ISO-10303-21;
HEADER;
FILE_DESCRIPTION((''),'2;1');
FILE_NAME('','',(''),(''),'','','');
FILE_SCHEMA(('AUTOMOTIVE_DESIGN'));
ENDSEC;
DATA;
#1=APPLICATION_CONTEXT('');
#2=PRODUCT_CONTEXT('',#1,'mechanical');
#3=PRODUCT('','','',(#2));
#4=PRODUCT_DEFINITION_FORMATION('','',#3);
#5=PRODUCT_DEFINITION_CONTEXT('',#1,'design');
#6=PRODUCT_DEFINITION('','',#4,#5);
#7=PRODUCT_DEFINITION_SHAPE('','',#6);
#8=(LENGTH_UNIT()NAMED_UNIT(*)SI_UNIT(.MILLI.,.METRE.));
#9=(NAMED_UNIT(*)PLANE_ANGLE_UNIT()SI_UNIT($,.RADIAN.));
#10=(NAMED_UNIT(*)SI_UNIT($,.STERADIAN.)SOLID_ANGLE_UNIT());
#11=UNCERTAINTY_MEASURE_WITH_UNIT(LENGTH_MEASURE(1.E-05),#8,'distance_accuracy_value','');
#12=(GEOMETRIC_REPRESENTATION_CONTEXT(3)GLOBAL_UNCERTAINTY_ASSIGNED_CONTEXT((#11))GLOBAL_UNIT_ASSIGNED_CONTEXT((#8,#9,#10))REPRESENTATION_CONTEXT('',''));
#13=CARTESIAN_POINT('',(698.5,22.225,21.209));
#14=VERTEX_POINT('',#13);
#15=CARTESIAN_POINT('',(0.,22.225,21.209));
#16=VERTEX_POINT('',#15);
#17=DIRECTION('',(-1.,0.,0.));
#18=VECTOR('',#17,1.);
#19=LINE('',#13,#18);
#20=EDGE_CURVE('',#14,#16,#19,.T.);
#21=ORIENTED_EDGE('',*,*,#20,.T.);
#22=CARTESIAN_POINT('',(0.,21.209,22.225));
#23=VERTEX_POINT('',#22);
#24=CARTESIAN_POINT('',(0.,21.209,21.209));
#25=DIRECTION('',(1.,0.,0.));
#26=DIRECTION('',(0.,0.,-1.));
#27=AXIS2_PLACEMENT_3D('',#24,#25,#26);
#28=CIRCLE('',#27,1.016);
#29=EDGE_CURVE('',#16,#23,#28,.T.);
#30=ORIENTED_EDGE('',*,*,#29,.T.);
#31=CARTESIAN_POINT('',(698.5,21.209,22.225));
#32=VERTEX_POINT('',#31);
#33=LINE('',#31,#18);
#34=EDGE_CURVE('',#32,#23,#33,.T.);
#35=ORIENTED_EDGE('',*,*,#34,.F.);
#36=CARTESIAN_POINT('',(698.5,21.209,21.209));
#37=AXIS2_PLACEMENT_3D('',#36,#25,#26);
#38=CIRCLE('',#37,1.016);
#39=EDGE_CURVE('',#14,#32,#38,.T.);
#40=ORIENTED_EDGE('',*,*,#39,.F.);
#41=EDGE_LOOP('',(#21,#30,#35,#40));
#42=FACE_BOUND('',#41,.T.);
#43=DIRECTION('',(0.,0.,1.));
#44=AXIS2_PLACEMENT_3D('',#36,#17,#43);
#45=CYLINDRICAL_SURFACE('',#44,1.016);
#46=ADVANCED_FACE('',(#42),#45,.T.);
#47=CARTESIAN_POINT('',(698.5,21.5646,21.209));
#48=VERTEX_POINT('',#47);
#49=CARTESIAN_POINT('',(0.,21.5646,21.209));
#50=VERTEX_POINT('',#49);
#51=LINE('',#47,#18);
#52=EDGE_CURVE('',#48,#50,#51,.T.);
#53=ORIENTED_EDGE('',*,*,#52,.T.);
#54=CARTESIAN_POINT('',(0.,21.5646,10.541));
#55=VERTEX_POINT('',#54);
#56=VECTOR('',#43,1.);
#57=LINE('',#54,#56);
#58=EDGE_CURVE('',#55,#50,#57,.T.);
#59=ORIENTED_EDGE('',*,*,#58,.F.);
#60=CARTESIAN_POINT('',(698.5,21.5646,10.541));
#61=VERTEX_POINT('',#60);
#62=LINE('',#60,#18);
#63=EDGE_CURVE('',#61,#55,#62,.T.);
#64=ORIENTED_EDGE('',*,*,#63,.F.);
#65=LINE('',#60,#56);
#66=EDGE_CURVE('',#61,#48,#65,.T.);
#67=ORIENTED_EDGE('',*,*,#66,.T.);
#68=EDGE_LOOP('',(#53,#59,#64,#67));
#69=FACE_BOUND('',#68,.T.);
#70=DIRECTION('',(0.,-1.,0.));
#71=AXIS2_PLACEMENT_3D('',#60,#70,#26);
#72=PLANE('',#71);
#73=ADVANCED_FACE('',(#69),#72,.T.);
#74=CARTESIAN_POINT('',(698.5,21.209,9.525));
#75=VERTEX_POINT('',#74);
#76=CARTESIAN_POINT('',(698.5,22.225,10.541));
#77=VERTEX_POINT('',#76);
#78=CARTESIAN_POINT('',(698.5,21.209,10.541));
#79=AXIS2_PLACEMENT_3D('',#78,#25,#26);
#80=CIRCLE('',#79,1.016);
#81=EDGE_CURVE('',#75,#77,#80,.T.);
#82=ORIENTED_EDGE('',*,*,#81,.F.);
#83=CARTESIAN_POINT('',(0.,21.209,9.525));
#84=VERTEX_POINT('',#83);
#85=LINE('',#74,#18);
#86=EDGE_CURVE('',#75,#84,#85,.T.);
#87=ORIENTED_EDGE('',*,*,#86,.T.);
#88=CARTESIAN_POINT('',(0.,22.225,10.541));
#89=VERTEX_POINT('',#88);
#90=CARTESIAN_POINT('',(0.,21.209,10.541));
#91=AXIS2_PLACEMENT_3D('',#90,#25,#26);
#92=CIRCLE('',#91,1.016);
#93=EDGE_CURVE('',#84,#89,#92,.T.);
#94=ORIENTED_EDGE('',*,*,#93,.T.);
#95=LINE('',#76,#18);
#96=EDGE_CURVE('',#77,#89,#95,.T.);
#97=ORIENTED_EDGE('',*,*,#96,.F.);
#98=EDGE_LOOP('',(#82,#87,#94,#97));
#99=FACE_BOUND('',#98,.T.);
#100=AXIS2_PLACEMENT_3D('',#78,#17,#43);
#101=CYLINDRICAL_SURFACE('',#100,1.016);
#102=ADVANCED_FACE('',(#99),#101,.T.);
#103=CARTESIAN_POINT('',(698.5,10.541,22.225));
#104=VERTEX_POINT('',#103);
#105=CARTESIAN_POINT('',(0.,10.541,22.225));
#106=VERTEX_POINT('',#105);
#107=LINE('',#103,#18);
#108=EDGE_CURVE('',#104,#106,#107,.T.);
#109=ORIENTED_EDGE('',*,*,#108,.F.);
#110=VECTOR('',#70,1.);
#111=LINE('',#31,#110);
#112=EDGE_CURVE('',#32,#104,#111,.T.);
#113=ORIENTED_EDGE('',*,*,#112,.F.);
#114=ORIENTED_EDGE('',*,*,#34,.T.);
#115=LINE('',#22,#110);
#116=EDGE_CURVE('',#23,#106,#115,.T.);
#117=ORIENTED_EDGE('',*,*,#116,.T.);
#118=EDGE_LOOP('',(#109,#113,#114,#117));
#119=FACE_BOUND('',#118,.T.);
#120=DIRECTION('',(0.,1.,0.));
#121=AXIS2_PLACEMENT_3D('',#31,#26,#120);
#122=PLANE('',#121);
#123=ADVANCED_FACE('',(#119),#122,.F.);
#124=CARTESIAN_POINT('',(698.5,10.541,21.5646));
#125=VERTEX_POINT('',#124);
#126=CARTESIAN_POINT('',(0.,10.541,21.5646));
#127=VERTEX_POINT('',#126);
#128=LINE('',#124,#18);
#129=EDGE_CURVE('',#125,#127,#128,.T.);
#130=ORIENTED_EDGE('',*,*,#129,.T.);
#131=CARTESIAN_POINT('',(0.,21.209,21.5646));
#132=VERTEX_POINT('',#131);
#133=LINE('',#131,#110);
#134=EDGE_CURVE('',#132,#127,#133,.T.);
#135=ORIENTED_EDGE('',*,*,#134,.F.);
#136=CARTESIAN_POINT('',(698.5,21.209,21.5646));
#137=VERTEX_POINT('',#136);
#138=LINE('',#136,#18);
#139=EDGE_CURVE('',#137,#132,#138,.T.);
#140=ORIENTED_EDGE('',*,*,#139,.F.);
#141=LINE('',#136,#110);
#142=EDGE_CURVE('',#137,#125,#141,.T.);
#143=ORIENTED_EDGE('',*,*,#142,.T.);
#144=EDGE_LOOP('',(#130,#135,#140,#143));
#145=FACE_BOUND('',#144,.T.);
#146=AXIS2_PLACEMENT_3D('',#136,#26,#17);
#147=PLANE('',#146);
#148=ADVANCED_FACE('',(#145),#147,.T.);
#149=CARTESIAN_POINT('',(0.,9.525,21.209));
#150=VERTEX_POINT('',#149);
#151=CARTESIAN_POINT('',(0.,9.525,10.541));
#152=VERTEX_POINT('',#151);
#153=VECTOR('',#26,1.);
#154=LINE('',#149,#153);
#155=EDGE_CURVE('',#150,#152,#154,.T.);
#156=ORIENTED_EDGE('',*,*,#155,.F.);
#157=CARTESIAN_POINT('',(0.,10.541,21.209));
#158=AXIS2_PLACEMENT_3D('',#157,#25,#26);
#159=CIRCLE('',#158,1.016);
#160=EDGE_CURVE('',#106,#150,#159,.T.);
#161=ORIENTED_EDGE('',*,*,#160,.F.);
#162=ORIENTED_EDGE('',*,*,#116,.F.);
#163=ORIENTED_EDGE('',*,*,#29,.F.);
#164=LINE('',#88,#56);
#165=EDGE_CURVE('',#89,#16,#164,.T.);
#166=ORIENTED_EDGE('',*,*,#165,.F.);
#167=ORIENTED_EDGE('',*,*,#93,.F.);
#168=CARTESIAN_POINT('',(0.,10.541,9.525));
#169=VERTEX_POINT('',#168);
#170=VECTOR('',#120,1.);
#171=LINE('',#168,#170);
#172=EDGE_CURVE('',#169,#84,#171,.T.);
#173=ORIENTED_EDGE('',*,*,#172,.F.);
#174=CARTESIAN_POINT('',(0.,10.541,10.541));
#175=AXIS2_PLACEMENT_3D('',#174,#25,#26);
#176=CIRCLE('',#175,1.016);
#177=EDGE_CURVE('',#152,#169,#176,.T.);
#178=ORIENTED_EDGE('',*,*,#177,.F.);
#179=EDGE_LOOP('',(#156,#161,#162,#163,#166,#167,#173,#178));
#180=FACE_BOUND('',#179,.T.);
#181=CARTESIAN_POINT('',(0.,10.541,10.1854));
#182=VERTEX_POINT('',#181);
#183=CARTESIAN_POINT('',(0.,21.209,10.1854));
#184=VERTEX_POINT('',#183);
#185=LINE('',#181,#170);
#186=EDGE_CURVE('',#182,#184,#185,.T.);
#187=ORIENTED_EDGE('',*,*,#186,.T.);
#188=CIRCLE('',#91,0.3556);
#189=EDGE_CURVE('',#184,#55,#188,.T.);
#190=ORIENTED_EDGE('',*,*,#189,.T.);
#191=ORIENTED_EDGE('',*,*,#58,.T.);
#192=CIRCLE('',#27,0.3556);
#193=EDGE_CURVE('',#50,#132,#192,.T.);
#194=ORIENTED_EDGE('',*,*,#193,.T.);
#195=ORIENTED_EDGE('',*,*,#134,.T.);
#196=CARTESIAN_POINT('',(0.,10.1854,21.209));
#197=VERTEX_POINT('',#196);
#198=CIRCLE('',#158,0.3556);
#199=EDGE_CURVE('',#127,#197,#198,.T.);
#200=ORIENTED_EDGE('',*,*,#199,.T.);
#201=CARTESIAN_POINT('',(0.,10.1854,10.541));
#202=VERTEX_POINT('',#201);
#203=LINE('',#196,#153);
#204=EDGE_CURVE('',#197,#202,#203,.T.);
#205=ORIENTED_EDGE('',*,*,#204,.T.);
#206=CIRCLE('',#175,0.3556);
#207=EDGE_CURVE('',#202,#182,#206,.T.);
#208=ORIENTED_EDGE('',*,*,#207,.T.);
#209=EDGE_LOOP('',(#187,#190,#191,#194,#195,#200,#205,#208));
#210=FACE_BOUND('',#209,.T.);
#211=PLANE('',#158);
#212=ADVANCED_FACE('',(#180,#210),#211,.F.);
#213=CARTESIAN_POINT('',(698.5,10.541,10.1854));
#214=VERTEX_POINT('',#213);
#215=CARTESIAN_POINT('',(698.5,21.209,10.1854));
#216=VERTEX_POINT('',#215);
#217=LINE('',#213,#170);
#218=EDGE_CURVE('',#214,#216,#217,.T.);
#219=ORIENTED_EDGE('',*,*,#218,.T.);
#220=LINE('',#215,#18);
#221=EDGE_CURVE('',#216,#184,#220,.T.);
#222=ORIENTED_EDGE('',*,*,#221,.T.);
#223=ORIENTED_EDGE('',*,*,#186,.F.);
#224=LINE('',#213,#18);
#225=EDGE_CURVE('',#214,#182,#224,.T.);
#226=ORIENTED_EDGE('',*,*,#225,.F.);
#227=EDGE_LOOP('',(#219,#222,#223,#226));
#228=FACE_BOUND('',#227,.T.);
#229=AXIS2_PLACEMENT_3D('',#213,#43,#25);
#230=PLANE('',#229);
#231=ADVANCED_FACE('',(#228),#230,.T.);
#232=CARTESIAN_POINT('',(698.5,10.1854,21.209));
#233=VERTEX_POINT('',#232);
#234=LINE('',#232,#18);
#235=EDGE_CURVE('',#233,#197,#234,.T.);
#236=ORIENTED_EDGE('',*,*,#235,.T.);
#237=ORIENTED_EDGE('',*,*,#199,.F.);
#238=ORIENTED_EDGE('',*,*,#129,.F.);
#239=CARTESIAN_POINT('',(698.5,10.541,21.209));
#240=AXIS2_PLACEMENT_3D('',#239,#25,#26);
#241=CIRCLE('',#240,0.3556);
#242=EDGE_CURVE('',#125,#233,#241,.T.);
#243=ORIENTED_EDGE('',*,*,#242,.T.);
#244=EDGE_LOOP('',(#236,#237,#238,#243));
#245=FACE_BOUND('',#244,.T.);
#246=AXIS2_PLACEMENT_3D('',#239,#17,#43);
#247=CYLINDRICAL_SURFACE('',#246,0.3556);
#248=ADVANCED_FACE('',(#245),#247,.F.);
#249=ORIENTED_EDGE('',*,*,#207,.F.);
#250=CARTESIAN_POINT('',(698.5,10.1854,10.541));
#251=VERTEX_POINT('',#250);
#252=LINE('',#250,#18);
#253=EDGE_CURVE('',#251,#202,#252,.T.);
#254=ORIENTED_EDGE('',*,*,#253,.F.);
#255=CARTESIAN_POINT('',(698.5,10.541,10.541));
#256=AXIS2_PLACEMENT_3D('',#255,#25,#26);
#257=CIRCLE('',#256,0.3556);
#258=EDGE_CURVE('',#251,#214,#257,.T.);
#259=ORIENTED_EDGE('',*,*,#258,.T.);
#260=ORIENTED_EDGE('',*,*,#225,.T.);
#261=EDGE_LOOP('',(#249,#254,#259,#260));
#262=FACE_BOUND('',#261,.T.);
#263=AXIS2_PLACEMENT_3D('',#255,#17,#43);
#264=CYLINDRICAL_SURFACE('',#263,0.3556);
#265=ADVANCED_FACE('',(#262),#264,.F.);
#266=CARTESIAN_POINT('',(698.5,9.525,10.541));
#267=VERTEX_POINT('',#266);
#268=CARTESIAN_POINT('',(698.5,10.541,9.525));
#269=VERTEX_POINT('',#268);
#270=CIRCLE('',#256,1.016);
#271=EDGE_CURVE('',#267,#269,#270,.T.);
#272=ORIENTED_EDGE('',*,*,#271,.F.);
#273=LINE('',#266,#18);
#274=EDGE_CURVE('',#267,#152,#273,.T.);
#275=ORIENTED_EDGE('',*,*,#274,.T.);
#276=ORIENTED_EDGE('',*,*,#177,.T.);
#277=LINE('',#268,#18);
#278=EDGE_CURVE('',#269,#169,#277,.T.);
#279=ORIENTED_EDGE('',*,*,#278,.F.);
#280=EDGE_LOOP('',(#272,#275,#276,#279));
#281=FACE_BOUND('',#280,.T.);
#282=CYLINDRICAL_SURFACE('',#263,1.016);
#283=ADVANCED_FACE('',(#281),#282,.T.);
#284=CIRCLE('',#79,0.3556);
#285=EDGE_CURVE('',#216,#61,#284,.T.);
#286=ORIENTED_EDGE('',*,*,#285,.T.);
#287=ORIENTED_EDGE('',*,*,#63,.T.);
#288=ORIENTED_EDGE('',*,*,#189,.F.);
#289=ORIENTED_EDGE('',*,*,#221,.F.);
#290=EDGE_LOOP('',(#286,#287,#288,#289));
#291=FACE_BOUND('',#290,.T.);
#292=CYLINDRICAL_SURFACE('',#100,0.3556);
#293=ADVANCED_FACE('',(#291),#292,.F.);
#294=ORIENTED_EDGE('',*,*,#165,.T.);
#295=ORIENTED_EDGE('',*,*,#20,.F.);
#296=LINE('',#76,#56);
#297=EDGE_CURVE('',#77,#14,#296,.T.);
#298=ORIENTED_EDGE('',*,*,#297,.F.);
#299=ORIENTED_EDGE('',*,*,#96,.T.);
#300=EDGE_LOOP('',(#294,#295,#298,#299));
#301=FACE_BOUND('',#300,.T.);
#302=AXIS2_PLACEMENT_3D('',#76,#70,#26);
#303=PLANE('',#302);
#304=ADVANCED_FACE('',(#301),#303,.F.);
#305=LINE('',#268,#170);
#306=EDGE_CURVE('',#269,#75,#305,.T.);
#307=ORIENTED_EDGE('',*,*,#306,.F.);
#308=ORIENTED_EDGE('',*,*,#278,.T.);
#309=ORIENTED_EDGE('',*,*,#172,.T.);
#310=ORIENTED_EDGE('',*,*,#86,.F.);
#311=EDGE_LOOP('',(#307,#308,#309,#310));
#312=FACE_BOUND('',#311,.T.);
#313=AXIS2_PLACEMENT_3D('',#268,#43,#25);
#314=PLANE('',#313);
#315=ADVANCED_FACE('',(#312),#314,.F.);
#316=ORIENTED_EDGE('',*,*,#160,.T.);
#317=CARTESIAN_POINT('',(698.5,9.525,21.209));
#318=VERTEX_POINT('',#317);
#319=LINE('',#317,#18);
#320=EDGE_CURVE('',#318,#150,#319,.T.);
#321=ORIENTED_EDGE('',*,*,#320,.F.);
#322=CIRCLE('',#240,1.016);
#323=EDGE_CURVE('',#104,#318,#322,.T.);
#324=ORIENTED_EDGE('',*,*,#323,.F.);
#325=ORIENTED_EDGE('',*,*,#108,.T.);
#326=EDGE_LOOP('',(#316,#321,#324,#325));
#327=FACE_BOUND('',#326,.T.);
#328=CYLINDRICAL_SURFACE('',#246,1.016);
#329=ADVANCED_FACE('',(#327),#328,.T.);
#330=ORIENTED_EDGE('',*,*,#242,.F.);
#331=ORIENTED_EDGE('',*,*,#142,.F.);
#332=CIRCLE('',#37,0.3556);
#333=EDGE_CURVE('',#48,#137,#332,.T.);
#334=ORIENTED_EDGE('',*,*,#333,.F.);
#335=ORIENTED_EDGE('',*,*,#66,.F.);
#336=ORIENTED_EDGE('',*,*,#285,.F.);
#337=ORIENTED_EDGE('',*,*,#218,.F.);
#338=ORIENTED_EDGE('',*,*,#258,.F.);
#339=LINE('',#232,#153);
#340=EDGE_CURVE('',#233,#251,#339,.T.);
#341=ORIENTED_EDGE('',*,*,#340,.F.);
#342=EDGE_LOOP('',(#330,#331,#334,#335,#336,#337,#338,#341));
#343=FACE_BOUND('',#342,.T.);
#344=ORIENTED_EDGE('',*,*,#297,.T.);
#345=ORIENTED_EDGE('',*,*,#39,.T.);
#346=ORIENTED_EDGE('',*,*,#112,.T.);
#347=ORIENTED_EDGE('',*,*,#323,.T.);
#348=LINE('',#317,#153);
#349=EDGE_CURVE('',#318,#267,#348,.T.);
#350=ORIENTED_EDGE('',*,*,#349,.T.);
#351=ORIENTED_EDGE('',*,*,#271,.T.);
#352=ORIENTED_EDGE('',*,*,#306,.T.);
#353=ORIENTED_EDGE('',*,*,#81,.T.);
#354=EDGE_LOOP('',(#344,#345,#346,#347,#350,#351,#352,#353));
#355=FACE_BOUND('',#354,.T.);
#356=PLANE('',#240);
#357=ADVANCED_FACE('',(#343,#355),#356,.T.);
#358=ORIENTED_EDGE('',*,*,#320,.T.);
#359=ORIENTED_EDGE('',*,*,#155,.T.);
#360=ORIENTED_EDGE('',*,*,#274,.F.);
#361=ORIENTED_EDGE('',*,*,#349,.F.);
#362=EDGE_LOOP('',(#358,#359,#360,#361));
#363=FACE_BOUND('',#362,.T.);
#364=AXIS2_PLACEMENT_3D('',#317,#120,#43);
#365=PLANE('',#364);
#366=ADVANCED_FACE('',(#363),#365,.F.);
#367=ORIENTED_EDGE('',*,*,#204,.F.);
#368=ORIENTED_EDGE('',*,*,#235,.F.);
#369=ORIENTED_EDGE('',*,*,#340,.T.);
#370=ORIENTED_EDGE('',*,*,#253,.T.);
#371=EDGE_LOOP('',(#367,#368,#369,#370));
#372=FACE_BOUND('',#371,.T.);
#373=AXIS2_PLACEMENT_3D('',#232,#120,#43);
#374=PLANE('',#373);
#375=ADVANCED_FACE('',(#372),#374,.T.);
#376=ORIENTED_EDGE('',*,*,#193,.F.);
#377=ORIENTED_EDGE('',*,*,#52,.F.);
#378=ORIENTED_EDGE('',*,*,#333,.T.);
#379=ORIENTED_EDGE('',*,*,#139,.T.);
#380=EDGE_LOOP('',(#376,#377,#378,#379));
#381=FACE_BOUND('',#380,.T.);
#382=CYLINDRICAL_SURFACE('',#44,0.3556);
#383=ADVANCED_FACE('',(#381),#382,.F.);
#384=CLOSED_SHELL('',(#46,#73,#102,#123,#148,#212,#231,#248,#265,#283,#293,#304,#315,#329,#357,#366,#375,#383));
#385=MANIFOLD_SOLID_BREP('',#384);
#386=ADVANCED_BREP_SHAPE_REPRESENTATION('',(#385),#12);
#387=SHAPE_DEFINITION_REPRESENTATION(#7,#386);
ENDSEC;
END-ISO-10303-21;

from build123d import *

# Parameters (mm, degrees)
BOSS_EXTRUDE1_DEPTH = 698.5
SCALE1_SCALE_X      = 1
SCALE1_SCALE_Y      = 0.4
SCALE1_SCALE_Z      = 0.4


with BuildPart() as part:
    # Sketch1 → Boss-Extrude1 (new body)
    with BuildSketch(Plane(origin=(0, 0, 0), x_dir=(0, 0, -1), z_dir=(1, 0, 0))):
        with BuildLine():
            Line((0, 2.54), (0, 29.21))
            ThreePointArc((0, 29.21), (-0.743948776, 31.006051224), (-2.54, 31.75))
            Line((-2.54, 31.75), (-29.21, 31.75))
            ThreePointArc((-29.21, 31.75), (-31.006051224, 31.006051224), (-31.75, 29.21))
            Line((-31.75, 29.21), (-31.75, 2.54))
            ThreePointArc((-31.75, 2.54), (-31.006051224, 0.743948776), (-29.21, 0))
            Line((-29.21, 0), (-2.54, 0))
            ThreePointArc((-2.54, 0), (-0.743948776, 0.743948776), (0, 2.54))
        make_face()
        with BuildLine():
            Line((-1.651, 2.54), (-1.651, 29.21))
            ThreePointArc((-1.651, 29.21), (-1.911382072, 29.838617928), (-2.54, 30.099))
            Line((-2.54, 30.099), (-29.21, 30.099))
            ThreePointArc((-29.21, 30.099), (-29.838617928, 29.838617928), (-30.099, 29.21))
            Line((-30.099, 29.21), (-30.099, 2.54))
            ThreePointArc((-30.099, 2.54), (-29.838617928, 1.911382072), (-29.21, 1.651))
            Line((-29.21, 1.651), (-2.54, 1.651))
            ThreePointArc((-2.54, 1.651), (-1.911382072, 1.911382072), (-1.651, 2.54))
        make_face(mode=Mode.SUBTRACT)
    extrude(amount=BOSS_EXTRUDE1_DEPTH)


with BuildPart() as part_1:
    # Scale1: scaled about (349.25, 15.875, 15.875)
    add(part.part.scale((SCALE1_SCALE_X, SCALE1_SCALE_Y, SCALE1_SCALE_Z), about=(349.25, 15.875, 15.875)))


solid = part_1.part
